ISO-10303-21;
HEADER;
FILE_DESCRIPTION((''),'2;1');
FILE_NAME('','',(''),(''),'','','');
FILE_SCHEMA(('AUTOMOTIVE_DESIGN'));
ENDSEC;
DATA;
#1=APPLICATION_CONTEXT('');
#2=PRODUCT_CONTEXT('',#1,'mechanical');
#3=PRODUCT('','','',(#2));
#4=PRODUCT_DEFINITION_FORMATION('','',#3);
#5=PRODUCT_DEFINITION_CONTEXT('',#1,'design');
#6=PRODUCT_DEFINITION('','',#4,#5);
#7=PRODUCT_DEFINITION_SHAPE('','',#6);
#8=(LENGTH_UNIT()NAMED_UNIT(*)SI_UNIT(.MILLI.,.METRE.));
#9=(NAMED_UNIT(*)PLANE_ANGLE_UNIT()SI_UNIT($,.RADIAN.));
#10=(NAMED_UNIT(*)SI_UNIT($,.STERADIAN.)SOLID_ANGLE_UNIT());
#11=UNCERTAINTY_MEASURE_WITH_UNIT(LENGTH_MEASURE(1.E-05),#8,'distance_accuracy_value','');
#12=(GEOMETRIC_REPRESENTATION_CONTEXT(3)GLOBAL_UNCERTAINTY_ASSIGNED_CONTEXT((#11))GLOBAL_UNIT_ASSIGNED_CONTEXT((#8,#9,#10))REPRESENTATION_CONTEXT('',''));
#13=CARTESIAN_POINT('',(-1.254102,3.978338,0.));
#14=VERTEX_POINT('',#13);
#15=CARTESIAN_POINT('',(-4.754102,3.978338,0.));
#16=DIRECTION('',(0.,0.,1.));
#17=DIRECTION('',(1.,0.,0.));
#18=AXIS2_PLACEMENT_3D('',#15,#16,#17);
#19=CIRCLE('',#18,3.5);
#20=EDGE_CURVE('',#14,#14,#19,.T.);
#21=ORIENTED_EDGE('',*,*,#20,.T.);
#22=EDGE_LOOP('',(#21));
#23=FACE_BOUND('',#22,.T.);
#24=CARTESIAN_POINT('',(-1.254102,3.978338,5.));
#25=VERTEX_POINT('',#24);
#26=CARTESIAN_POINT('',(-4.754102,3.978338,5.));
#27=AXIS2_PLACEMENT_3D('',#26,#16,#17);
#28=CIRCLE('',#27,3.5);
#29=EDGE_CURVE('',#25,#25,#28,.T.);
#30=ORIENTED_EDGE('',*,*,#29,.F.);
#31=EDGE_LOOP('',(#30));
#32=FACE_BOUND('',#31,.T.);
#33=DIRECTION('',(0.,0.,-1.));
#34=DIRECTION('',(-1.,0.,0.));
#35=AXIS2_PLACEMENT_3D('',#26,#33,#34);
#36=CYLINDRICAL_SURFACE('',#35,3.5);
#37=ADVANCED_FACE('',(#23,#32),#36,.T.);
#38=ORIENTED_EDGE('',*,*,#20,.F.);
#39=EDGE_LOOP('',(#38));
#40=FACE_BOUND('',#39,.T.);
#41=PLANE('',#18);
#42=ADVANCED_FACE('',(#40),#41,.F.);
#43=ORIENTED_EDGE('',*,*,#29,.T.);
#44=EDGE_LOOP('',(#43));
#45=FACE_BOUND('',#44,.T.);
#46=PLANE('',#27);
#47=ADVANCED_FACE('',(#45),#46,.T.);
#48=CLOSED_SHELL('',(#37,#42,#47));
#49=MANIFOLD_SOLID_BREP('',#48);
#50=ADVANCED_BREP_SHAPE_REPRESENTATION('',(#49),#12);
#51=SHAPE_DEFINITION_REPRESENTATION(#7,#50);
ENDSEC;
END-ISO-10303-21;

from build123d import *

# Parameters (mm, degrees)
CROQUIS1_R              = 3.5
SALIENTE_EXTRUIR1_DEPTH = 5


with BuildPart() as part:
    # Croquis1 → Saliente-Extruir1 (new body)
    with BuildSketch(Plane.XY):
        with Locations((-4.754102012, 3.97833761)):
            Circle(CROQUIS1_R)
    extrude(amount=SALIENTE_EXTRUIR1_DEPTH)


solid = part.part
